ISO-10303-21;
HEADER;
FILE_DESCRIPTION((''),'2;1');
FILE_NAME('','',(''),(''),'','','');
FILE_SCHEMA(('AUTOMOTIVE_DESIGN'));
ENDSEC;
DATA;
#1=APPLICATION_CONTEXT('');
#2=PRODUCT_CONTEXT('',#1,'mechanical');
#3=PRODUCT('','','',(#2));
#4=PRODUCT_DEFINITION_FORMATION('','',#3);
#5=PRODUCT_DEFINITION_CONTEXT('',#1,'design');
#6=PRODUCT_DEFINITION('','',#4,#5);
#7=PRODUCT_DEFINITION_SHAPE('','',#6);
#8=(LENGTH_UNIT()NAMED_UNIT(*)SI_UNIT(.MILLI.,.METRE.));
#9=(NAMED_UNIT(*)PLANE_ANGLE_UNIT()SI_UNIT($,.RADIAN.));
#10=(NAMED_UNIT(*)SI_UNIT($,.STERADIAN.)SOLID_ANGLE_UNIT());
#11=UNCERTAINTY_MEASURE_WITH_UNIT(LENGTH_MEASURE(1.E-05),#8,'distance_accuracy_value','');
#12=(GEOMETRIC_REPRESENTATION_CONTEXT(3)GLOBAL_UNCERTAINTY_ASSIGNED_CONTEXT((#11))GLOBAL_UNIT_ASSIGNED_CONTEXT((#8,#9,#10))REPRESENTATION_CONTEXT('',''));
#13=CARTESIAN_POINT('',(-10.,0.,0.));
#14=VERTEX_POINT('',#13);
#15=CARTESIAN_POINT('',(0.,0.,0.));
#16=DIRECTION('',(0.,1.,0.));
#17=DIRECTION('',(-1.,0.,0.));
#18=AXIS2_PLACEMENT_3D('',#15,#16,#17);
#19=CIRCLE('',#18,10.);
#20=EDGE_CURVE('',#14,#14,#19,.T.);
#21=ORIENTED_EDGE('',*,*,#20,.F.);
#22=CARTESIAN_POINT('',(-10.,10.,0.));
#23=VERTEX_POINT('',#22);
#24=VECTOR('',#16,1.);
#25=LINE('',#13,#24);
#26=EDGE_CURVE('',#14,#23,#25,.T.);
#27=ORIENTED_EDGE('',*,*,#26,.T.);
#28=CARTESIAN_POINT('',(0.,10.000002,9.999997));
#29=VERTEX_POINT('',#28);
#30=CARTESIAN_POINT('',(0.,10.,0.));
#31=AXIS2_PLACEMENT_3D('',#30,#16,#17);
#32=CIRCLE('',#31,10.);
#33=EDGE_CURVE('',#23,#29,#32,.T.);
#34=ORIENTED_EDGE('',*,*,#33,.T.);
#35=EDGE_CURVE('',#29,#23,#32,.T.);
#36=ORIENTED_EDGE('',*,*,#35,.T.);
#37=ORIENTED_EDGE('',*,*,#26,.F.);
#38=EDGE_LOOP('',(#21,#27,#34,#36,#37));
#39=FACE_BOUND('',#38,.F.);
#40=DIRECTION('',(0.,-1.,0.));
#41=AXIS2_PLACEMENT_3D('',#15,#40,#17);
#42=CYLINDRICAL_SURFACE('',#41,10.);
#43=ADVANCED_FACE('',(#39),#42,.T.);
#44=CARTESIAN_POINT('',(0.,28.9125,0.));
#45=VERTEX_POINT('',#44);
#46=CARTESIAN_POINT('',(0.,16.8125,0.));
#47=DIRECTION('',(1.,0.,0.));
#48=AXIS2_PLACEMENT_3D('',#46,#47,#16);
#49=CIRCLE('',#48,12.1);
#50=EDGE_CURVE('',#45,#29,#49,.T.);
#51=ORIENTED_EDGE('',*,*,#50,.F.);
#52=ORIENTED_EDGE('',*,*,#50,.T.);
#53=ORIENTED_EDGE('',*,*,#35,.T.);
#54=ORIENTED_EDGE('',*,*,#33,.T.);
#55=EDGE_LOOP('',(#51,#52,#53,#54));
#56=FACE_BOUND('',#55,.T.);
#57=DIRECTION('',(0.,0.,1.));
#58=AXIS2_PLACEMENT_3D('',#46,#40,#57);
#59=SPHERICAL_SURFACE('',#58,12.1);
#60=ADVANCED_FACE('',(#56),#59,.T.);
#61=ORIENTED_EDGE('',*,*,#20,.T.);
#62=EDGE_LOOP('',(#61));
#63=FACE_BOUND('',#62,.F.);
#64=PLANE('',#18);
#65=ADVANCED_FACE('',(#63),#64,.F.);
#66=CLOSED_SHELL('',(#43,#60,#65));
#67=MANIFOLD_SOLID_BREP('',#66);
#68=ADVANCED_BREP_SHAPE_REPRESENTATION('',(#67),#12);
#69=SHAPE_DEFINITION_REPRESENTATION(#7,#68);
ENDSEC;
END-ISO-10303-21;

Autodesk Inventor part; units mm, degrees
ref_plane "YZ Plane" through (0, 0, 0) normal (1, 0, 0) x (0, 1, 0)
ref_plane "XZ Plane" through (0, 0, 0) normal (0, 1, 0) x (-1, 0, 0)
ref_plane "XY Plane" through (0, 0, 0) normal (0, 0, 1) x (1, 0, 0)
sketch "Sketch1" plane through (0, 0, 0) normal (0, 1, 0) x (-1, 0, 0)
  circle A0 centre (0, 0) radius 10
  dimension "d0" = 20
extrude "Extrusion1" add sketch "Sketch1" along normal blind 10
sketch "Sketch2" plane through (0, 0, 0) normal (1, 0, 0) x (0, 1, 0)
  line L0 (10, -10) -> (10, 10) projected
  line L1 (10, 0) -> (10, 12)
  line L2 (10, 0) -> (10, -12)
  circle A0 centre (10, -10) radius 12.1
  circle A1 centre (10, 10) radius 12.1
  circle A2 centre (16.8125, 0) radius 12.1
  line L3 (30.6793, 0) -> (0, 0)
  point P0 (28.9125, 0)
  point P1 (4.7125, 0)
  dimension "d5" = 24.2
  dimension "d6" = 24.2
  dimension "d3" = 12
  dimension "d4" = 12
  dimension "d7" = 24.2
revolve "Revolution1" add sketch "Sketch2" angle 360 about axis through (0, 30.6793, 0) along (0, -1, 0) picked at (16.6835, 5.8005) picked at (22.8764, 2.0929) contours L3 A2 A0 L0 | L0 A0 L3 | A0 L0 A2 A1 | A1 A2 L3 | A0 A2 L0
properties part number "Test2"
